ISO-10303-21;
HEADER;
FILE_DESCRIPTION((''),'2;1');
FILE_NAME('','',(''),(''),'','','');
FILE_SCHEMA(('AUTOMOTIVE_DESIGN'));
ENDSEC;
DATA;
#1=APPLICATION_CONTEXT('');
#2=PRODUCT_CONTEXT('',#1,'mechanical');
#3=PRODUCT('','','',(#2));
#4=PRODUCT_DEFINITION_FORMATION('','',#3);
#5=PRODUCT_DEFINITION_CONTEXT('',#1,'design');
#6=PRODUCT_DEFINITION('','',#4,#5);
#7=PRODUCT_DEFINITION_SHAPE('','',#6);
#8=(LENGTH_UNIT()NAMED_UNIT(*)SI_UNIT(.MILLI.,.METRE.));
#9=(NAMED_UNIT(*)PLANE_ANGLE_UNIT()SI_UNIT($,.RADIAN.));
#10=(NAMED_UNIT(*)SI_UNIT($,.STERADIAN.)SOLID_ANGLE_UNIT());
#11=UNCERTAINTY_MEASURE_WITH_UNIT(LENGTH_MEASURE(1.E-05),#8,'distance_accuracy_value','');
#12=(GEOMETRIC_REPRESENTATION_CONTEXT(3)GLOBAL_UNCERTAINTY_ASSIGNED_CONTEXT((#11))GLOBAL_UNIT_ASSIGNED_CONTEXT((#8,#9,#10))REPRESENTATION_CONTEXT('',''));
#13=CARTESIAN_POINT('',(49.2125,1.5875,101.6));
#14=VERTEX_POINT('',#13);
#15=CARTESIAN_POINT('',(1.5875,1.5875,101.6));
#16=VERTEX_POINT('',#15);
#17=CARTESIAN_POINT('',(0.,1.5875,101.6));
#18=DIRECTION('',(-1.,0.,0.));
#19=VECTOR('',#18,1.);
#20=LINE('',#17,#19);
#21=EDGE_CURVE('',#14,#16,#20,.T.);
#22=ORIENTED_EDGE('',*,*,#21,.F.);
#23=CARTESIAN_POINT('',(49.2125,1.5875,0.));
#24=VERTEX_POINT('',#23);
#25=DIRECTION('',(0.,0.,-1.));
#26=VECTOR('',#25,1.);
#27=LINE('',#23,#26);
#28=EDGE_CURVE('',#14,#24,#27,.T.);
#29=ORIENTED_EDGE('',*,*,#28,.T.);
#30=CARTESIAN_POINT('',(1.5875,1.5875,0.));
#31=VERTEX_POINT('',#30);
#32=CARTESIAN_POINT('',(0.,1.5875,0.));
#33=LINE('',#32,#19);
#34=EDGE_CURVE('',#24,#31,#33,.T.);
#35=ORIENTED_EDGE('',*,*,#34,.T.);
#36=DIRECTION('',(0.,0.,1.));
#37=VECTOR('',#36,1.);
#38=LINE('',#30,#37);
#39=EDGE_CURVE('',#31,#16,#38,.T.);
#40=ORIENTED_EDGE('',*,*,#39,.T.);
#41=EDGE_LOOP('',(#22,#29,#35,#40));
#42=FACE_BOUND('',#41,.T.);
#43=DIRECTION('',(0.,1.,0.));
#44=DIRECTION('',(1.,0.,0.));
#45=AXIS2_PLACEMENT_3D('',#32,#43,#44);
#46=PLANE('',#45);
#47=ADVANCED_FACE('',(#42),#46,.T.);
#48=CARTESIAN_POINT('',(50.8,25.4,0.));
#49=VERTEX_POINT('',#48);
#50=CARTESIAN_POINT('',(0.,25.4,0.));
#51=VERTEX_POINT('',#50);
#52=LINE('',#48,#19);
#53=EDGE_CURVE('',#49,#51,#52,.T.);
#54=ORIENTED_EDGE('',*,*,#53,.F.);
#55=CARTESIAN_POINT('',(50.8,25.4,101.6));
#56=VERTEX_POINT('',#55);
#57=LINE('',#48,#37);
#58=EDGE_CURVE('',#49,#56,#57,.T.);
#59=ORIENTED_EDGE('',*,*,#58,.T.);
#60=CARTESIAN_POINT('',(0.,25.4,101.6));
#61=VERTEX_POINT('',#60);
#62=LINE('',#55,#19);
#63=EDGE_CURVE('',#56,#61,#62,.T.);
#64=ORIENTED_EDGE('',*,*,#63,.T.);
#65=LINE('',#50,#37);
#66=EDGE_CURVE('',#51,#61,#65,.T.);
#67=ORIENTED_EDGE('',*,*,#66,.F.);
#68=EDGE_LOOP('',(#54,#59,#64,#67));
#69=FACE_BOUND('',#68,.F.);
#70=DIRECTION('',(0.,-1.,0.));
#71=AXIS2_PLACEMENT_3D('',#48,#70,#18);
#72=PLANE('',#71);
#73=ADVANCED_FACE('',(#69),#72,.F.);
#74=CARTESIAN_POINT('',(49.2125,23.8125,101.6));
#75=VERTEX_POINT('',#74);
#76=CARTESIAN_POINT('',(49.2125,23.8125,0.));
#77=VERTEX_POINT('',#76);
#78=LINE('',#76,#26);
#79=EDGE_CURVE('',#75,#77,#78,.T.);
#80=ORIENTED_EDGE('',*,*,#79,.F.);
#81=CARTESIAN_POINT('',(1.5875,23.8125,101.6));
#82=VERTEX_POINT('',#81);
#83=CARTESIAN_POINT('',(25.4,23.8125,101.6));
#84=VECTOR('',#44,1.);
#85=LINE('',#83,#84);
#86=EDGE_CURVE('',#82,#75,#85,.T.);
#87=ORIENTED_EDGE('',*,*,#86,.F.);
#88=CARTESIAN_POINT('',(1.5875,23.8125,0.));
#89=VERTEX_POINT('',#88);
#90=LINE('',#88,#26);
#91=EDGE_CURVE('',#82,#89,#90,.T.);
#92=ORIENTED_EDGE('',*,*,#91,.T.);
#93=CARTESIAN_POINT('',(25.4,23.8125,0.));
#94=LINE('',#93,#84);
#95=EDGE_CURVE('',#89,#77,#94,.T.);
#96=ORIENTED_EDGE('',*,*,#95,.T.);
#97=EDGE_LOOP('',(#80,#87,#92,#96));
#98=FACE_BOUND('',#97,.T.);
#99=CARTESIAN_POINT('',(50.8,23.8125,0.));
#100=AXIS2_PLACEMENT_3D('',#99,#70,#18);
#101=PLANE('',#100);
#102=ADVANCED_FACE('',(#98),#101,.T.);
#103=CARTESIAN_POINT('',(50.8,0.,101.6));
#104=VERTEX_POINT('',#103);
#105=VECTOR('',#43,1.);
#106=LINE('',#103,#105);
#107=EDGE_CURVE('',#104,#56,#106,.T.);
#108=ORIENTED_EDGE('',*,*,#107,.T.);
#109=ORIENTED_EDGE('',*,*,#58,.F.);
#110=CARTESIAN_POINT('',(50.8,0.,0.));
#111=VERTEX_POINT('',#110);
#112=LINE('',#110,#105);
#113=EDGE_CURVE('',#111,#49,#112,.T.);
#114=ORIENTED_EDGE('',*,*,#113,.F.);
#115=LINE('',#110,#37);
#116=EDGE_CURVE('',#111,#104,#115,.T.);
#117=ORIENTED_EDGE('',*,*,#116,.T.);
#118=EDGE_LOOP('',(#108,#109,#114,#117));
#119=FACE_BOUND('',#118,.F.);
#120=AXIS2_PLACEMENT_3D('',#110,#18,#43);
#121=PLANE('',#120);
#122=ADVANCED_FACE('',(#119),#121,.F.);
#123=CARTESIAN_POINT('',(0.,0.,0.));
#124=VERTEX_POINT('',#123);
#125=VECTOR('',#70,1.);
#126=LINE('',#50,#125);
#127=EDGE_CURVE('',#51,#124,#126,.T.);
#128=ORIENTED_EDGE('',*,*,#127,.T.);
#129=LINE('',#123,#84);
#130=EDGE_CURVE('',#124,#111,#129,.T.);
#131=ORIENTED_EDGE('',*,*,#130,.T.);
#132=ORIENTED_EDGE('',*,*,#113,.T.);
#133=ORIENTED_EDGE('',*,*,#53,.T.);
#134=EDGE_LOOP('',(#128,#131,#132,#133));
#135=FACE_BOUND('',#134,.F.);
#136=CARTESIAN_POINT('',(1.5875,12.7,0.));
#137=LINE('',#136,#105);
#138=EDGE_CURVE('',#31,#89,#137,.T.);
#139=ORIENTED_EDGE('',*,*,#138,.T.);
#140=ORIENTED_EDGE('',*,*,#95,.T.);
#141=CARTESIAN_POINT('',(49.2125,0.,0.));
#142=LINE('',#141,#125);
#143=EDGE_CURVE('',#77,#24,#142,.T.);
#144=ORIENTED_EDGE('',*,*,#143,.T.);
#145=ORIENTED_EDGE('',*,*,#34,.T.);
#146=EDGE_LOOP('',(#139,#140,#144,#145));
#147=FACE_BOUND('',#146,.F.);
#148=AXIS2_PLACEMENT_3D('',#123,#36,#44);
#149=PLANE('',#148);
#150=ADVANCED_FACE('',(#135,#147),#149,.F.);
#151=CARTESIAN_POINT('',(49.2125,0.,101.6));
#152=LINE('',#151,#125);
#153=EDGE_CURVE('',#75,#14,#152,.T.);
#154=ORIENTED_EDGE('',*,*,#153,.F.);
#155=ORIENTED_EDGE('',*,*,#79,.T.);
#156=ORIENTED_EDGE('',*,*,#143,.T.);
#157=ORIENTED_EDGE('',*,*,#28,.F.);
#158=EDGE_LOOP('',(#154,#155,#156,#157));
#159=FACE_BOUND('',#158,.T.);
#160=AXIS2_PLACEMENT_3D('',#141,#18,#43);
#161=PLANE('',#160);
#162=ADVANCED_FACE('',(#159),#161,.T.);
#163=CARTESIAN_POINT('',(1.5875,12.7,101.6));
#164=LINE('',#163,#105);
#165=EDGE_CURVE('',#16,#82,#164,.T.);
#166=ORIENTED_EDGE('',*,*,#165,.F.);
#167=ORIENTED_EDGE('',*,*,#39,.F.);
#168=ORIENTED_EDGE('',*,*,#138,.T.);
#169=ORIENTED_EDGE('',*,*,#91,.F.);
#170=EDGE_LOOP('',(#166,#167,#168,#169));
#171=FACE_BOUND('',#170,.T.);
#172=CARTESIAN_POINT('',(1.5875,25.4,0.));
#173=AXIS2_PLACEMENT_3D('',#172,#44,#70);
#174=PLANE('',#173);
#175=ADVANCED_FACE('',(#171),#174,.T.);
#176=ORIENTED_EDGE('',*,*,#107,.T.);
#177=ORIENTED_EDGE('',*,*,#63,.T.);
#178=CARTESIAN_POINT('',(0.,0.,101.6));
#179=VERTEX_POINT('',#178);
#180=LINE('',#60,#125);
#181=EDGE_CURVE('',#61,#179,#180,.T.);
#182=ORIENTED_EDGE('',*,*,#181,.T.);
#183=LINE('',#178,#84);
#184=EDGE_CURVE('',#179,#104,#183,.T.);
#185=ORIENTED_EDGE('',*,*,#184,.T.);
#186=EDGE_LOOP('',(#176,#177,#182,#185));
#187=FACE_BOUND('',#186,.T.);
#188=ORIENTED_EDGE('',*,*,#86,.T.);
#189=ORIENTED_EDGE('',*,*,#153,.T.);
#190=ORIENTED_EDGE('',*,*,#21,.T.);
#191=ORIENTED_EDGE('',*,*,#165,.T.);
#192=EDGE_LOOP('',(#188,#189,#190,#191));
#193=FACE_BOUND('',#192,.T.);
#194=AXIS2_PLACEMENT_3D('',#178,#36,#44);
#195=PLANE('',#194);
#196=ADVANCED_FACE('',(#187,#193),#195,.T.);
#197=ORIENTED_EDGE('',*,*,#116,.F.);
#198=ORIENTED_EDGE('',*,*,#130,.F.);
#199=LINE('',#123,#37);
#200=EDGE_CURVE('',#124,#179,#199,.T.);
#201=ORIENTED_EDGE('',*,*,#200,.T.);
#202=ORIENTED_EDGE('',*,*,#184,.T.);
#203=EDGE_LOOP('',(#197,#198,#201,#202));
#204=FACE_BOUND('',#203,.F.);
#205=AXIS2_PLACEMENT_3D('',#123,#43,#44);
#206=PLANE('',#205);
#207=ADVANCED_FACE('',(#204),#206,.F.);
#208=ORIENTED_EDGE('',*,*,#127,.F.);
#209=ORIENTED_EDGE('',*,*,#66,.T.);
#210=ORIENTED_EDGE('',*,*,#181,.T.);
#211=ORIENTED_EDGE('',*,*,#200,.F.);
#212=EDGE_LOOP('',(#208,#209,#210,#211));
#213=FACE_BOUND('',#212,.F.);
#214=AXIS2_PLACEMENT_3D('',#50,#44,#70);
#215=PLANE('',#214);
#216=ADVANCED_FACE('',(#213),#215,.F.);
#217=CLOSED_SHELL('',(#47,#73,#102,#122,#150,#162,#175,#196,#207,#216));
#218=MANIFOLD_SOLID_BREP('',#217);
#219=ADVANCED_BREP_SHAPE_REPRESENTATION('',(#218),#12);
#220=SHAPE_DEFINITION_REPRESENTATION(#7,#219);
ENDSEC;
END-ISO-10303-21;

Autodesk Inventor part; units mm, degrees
ref_plane "YZ Plane" through (0, 0, 0) normal (1, 0, 0) x (0, 1, 0)
ref_plane "XZ Plane" through (0, 0, 0) normal (0, 1, 0) x (-1, 0, 0)
ref_plane "XY Plane" through (0, 0, 0) normal (0, 0, 1) x (1, 0, 0)
sketch "Sketch1" plane through (0, 0, 0) normal (0, 0, 1) x (1, 0, 0)
  line L0 (0, 0) -> (50.8, 0)
  line L1 (50.8, 0) -> (50.8, 25.4)
  line L2 (50.8, 25.4) -> (0, 25.4)
  line L3 (0, 25.4) -> (0, 0)
  dimension "d0" = 50.8
  dimension "d1" = 25.4
extrude "Extrusion1" add sketch "Sketch1" along normal blind 101.6
shell "Shell1" thickness 1.5875 removed faces 2 at (16.9333, 8.4667, 0) at (16.9333, 8.4667, 101.6)
equation "\"d2\" = Length"
equation "\"Length\" = 101.6"
properties part number "standoff option1"
